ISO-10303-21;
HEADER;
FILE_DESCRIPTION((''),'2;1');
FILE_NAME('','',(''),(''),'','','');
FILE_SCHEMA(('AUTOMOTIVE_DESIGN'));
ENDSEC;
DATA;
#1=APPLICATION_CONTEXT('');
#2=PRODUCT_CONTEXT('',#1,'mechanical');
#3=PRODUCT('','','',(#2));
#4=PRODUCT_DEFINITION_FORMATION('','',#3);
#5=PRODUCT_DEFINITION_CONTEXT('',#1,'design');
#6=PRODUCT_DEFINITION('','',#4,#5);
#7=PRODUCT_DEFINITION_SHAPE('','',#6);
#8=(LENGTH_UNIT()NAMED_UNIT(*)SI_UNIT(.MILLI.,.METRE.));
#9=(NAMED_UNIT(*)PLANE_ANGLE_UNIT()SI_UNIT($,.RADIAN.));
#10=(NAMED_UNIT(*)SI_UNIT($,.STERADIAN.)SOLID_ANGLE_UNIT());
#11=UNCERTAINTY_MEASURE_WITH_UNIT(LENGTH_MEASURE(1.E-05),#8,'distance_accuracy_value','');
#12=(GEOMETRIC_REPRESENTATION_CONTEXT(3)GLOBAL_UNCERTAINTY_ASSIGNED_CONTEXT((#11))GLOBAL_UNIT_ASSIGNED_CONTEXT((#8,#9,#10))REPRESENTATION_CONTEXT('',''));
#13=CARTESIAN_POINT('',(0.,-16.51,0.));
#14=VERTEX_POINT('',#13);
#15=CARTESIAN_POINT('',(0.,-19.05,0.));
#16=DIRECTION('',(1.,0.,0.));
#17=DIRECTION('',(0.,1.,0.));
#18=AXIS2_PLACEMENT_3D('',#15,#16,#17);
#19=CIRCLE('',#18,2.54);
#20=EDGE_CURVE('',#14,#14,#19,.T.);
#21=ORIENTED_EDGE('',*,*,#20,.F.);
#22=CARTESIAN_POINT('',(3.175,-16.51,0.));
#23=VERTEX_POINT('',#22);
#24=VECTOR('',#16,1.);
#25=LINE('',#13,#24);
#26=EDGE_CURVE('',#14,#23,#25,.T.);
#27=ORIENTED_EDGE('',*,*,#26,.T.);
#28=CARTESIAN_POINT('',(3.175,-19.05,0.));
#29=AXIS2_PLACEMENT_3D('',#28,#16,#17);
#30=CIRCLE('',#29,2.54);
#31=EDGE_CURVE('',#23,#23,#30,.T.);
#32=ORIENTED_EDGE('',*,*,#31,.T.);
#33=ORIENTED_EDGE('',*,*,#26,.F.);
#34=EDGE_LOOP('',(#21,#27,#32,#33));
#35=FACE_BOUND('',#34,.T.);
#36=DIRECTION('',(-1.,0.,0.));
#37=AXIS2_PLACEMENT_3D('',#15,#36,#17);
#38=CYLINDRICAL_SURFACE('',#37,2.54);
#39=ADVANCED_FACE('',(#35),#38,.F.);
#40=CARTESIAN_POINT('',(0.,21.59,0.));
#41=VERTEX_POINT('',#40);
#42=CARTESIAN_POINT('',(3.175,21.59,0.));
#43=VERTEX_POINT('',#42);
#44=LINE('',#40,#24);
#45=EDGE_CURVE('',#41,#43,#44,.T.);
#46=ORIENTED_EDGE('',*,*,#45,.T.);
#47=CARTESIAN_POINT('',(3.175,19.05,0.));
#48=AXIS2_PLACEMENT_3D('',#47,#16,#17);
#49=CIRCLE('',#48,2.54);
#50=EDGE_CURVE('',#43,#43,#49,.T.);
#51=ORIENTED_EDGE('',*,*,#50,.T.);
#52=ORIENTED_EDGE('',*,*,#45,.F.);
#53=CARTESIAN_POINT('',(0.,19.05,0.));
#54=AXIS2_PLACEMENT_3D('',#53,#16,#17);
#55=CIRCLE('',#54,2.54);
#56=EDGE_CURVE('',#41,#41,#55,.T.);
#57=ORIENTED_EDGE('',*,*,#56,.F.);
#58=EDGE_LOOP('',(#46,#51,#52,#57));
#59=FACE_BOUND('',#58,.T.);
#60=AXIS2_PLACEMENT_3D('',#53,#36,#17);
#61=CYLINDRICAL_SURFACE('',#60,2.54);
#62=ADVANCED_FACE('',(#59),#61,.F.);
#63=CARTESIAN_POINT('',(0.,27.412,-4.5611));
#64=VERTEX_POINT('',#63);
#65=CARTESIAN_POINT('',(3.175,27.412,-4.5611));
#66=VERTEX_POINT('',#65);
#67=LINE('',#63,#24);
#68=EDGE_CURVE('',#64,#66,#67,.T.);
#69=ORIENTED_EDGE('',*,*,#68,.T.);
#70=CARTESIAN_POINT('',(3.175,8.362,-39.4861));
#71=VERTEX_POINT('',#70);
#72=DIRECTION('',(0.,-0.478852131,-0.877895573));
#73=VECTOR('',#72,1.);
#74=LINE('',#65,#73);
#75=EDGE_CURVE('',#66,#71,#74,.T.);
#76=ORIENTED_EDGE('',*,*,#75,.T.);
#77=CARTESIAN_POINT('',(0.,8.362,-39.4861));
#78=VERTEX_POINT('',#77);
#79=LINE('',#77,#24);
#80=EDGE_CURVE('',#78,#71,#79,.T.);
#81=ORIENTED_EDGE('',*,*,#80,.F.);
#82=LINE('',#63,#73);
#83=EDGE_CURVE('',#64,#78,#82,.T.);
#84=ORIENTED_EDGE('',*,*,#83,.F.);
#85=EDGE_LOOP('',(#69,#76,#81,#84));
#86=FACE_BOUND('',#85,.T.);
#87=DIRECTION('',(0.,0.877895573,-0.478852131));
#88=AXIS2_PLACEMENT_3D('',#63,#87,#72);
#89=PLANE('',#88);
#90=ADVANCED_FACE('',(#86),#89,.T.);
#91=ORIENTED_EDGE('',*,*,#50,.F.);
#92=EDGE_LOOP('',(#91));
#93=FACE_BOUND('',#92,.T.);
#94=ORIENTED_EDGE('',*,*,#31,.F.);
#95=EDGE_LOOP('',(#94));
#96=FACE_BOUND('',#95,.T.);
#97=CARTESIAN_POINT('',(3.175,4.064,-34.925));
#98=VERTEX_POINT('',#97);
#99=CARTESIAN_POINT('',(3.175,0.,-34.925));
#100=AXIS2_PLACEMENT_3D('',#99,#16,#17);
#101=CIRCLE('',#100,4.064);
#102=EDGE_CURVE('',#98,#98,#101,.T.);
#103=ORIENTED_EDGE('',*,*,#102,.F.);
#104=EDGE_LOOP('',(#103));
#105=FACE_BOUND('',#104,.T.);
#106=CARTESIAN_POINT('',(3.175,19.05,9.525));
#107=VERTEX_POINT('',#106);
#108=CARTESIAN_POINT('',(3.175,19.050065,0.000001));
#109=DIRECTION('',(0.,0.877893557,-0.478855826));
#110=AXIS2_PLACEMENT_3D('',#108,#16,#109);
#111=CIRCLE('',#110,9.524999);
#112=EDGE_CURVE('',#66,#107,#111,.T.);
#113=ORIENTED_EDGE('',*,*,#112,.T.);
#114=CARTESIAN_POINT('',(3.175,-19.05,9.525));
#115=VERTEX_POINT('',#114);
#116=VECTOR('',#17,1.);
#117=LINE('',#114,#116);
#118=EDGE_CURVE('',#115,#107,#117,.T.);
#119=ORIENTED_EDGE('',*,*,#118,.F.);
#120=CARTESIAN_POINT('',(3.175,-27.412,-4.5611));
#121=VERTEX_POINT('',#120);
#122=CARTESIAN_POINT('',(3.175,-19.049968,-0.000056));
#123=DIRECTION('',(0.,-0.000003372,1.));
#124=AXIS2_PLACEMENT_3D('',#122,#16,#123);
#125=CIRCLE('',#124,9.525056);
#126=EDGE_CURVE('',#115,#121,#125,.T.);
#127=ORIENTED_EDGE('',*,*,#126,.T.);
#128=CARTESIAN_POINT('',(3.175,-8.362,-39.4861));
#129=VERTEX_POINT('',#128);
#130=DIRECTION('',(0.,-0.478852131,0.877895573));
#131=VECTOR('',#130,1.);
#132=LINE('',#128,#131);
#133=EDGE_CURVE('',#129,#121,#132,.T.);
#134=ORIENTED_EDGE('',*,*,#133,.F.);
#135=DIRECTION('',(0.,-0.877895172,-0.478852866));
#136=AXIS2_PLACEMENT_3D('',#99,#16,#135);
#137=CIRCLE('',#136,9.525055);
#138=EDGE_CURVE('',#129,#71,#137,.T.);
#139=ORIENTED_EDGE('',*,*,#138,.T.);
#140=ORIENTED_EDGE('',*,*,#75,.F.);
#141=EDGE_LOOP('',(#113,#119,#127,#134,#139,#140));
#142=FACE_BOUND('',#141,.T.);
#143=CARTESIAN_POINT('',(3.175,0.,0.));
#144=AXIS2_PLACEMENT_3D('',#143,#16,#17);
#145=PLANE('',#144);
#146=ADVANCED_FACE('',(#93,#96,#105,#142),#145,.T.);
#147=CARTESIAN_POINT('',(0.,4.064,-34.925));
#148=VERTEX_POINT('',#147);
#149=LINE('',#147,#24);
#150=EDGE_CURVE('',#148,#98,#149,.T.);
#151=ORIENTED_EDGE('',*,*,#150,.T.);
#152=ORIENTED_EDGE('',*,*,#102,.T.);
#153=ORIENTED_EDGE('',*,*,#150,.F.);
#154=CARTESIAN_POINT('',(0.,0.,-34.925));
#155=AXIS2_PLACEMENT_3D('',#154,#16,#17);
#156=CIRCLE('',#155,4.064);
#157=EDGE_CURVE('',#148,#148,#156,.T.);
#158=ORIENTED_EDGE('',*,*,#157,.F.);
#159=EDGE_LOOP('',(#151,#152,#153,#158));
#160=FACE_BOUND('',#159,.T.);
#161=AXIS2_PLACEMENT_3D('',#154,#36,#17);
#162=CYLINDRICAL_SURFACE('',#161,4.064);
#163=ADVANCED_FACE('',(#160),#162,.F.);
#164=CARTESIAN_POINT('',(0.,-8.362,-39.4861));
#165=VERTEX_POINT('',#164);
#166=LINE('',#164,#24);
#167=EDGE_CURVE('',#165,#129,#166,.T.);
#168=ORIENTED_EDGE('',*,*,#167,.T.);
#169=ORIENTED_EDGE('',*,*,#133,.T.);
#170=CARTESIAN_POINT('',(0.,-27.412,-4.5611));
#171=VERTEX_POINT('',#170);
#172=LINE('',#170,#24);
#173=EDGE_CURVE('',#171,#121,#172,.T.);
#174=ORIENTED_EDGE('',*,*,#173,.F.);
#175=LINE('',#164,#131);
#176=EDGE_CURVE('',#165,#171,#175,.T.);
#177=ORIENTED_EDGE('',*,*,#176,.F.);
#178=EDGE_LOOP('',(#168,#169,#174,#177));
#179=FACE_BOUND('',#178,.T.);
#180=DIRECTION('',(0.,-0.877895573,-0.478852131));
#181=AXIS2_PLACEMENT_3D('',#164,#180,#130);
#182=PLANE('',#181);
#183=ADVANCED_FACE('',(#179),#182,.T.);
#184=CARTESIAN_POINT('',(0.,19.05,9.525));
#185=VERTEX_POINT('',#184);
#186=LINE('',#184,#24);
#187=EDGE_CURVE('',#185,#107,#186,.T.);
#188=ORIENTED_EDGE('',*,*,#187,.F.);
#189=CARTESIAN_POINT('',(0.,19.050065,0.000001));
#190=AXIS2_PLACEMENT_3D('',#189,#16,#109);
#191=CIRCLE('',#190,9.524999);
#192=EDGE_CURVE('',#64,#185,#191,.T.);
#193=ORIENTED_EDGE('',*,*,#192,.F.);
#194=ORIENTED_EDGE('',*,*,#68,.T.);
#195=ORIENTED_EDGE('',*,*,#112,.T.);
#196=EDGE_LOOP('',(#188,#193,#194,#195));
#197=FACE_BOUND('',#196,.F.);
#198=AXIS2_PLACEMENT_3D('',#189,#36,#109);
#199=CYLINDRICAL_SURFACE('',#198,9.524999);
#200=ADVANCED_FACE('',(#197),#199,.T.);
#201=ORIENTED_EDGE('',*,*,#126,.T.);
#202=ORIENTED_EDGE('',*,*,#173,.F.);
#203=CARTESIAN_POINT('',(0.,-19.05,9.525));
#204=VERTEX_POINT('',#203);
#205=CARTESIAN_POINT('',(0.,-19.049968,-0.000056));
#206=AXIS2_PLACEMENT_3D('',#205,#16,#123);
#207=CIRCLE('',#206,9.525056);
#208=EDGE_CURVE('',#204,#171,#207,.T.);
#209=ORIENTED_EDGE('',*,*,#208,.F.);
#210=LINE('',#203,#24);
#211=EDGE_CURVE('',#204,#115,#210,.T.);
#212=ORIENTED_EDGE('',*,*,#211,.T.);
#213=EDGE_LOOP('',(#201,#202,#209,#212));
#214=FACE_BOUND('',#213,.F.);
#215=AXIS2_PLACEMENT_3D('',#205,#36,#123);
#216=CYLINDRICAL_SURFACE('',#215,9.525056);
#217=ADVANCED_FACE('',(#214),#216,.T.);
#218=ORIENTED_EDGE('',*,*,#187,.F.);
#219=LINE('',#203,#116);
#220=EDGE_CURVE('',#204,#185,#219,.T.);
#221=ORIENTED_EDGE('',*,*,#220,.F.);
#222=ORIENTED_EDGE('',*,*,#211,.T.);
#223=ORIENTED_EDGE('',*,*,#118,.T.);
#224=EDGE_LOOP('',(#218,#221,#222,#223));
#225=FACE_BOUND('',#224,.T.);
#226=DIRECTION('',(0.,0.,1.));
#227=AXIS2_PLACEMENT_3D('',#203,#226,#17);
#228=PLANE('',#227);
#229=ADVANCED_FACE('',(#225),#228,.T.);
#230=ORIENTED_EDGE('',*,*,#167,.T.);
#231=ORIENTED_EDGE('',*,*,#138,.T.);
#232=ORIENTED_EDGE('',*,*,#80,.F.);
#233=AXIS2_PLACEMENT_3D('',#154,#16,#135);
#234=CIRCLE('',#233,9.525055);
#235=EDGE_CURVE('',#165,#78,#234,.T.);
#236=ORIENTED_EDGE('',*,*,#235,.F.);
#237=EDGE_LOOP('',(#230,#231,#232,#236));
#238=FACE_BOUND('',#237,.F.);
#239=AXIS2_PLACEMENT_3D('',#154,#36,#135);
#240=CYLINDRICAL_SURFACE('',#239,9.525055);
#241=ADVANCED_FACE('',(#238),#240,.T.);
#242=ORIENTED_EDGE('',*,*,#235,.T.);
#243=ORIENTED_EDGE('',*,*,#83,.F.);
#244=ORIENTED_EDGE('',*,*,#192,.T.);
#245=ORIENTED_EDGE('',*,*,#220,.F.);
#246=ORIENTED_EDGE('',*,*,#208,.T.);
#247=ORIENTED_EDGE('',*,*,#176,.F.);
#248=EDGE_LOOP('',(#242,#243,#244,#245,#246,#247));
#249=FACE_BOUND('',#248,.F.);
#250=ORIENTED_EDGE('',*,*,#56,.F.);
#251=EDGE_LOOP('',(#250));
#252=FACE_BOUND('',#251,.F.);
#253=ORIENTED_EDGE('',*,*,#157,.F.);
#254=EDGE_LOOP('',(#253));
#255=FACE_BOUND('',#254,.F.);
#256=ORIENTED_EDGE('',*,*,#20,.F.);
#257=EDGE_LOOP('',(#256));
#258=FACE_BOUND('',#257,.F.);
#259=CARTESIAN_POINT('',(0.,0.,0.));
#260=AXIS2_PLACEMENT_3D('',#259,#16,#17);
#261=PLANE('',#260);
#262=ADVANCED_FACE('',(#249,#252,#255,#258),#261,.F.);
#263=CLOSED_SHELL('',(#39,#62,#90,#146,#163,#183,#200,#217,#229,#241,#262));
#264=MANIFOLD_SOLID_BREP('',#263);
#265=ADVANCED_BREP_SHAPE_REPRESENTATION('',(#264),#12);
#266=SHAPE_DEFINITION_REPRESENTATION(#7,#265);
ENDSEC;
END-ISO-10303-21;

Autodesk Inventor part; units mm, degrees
ref_plane "YZ Plane" through (0, 0, 0) normal (1, 0, 0) x (0, 1, 0)
ref_plane "XZ Plane" through (0, 0, 0) normal (0, 1, 0) x (-1, 0, 0)
ref_plane "XY Plane" through (0, 0, 0) normal (0, 0, 1) x (1, 0, 0)
sketch "Sketch1" plane through (0, 0, 0) normal (1, 0, 0) x (0, 1, 0)
  line L0 (19.05, 0) -> (-19.05, 0) construction
  circle A0 centre (19.05, 0) radius 2.54
  circle A1 centre (-19.05, 0) radius 2.54
  circle A2 centre (0, -34.925) radius 4.064
  line L1 (0, 0) -> (0, -34.925) construction
  arc A3 (27.412, -4.5611) -> (19.05, 9.525) centre (19.05, 0) ccw
  arc A4 (-19.05, 9.525) -> (-27.412, -4.5611) centre (-19.05, 0) ccw
  arc A5 (-8.362, -39.4861) -> (8.362, -39.4861) centre (0, -34.925) ccw
  line L2 (-8.362, -39.4861) -> (-27.412, -4.5611)
  line L3 (-19.05, 9.525) -> (19.05, 9.525)
  line L4 (27.412, -4.5611) -> (8.362, -39.4861)
  dimension "d0" = 5.08
  dimension "d2" = 38.1
  dimension "d3" = 8.128
  dimension "d4" = 34.925
  dimension "d5" = 9.525
extrude "Extrusion1" add sketch "Sketch1" along normal blind 3.175
properties part number "roller plate" material "Aluminum 6061"
